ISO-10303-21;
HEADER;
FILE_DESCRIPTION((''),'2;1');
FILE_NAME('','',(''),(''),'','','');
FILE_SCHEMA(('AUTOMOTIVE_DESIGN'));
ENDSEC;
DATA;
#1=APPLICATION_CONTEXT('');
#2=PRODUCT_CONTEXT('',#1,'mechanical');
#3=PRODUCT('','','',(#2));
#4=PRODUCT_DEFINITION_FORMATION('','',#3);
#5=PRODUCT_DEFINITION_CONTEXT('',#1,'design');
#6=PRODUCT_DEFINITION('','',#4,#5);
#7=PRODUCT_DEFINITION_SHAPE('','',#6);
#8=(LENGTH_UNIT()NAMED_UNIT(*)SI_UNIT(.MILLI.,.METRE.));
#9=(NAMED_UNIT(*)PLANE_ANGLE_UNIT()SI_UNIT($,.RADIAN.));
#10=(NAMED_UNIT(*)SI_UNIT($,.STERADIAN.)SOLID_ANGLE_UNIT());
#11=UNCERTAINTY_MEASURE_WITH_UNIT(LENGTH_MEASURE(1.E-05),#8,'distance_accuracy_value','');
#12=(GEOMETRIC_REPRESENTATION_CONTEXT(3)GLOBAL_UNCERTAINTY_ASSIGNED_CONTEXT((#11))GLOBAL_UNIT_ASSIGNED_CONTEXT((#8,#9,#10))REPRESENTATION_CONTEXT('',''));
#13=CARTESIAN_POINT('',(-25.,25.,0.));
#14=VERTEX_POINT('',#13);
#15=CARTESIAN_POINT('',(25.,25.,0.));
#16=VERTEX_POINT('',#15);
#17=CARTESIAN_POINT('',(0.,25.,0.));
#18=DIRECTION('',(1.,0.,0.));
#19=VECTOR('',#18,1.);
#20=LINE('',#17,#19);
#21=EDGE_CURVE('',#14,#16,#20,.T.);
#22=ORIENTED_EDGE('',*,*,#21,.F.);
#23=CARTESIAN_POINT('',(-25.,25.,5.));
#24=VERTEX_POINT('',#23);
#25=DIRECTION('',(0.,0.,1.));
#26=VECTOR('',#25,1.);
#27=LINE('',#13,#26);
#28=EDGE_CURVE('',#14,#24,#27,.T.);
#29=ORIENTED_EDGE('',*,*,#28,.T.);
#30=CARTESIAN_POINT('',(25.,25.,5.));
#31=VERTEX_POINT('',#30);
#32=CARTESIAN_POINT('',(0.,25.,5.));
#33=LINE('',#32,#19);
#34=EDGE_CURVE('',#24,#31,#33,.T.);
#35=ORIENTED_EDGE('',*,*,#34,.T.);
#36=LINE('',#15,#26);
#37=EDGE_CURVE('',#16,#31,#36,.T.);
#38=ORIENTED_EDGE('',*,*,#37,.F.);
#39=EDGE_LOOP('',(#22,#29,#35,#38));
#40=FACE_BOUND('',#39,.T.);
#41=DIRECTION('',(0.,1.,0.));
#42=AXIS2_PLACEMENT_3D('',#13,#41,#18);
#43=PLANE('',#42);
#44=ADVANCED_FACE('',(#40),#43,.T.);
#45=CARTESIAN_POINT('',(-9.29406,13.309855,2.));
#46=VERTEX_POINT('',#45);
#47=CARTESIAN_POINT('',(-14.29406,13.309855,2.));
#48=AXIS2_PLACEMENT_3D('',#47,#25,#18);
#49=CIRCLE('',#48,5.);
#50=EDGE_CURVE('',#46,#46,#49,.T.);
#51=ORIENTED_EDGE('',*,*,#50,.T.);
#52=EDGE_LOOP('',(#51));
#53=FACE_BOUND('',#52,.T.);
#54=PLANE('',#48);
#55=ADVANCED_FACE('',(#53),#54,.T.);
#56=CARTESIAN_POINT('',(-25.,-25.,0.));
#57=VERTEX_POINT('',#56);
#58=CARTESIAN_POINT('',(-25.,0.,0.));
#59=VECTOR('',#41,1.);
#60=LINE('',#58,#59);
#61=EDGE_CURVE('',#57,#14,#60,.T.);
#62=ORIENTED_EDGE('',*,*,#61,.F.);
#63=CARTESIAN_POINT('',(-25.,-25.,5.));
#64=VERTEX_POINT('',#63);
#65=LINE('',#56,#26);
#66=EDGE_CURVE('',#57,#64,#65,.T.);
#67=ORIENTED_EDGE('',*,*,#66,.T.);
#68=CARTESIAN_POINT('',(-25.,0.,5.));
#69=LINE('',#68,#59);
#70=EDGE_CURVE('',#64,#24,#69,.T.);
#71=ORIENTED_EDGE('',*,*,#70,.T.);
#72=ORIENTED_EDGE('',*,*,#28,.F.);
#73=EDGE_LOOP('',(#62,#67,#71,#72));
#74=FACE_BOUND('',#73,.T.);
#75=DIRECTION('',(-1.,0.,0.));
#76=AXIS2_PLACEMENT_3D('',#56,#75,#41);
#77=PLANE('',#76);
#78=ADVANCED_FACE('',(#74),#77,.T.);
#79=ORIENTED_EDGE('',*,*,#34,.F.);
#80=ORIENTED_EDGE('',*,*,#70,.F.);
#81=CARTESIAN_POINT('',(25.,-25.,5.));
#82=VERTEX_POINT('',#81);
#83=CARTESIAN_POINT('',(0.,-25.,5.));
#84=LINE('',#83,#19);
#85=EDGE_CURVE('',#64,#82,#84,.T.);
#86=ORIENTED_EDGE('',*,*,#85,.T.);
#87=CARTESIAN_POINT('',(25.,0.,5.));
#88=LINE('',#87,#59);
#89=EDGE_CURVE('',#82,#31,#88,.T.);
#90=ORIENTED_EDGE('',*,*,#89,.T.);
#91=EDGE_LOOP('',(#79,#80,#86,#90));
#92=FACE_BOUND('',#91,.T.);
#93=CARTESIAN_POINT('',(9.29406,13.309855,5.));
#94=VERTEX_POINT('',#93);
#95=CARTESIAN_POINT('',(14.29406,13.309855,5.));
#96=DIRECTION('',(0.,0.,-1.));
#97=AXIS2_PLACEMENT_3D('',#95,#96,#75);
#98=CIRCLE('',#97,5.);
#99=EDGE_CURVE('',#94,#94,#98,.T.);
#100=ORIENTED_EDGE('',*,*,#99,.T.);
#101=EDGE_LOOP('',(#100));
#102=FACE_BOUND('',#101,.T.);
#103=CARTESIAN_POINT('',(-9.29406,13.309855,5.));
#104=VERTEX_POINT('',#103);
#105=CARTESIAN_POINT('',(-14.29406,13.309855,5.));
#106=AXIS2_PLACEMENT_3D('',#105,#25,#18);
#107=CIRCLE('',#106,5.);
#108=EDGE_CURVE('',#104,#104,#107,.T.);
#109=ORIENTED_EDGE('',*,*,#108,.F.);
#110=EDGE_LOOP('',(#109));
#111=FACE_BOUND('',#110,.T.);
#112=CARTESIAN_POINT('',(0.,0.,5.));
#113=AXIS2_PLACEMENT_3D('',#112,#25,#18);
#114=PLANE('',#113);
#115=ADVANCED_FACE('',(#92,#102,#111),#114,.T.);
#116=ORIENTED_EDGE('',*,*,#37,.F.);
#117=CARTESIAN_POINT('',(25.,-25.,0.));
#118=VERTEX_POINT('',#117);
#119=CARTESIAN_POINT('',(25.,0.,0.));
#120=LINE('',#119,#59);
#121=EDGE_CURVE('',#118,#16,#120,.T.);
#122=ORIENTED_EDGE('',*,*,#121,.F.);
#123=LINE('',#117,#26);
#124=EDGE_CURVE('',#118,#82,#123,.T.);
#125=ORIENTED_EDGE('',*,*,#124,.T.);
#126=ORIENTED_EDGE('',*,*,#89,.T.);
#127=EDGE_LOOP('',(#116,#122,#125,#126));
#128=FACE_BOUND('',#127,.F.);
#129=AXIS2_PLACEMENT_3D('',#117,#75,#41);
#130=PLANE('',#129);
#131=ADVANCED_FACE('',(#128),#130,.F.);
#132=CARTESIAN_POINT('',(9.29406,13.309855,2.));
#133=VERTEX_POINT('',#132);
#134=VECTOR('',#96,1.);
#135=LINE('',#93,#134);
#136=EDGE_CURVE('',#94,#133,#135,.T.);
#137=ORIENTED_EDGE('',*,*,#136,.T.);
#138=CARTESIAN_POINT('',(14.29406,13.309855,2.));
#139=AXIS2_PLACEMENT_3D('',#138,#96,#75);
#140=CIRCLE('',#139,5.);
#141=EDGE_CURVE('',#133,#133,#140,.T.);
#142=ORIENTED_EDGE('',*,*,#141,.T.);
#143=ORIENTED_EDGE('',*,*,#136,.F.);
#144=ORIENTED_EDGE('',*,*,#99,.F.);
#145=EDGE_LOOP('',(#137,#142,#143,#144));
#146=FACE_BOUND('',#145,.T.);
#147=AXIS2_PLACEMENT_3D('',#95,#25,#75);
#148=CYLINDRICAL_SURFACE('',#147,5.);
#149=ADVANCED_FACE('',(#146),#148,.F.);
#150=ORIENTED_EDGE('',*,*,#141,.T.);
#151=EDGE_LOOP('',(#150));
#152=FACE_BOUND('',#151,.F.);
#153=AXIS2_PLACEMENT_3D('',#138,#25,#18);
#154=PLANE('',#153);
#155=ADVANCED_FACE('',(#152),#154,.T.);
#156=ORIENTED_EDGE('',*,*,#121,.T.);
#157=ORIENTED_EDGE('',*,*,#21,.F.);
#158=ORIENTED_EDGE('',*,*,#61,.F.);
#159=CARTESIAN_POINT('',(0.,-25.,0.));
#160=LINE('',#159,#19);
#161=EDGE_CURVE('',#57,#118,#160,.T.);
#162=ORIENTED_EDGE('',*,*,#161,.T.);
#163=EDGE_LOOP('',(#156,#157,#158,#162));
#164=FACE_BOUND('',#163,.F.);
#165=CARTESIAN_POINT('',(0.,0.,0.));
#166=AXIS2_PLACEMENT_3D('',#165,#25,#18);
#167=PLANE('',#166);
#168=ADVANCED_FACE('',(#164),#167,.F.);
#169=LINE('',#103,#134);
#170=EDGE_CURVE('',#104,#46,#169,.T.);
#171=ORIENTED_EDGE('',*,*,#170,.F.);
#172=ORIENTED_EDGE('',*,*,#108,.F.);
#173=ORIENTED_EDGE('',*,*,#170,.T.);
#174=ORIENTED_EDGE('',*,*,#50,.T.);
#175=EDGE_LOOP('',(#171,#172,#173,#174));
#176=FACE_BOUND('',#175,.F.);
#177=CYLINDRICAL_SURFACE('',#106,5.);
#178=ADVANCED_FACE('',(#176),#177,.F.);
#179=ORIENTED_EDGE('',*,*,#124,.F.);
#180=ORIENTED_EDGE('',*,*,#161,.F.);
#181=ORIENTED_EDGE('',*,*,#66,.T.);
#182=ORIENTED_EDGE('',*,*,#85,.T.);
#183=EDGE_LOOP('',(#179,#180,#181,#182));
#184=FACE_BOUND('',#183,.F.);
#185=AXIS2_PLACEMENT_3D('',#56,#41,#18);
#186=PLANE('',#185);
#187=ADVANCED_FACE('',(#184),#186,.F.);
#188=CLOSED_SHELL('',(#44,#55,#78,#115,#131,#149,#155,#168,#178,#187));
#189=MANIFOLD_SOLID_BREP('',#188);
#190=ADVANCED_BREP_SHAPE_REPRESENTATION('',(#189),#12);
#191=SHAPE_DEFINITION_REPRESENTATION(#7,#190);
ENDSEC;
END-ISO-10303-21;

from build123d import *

# Parameters (mm, degrees)
SKETCH_W     = 50
SKETCH_H     = 50
PAD_DEPTH    = 5
SKETCH001_R  = 5
POCKET_DEPTH = 3


with BuildPart() as part:
    # Sketch → Pad (new body)
    with BuildSketch(Plane.XY):
        Rectangle(SKETCH_W, SKETCH_H)
    extrude(amount=PAD_DEPTH)

    # Sketch001 (on Face6 of Pad) → Pocket (cut)
    with BuildSketch(Plane.XY.offset(5)):
        with Locations((-14.29406, 13.309855)):
            Circle(SKETCH001_R)
    pocket = extrude(amount=-POCKET_DEPTH, mode=Mode.SUBTRACT)

    # Mirrored: Pocket across Sketch001 V_Axis
    add(pocket.mirror(Plane(origin=(0, 0, 5), x_dir=(0, 0, 1), z_dir=(1, 0, 0))), mode=Mode.SUBTRACT)


solid = part.part
